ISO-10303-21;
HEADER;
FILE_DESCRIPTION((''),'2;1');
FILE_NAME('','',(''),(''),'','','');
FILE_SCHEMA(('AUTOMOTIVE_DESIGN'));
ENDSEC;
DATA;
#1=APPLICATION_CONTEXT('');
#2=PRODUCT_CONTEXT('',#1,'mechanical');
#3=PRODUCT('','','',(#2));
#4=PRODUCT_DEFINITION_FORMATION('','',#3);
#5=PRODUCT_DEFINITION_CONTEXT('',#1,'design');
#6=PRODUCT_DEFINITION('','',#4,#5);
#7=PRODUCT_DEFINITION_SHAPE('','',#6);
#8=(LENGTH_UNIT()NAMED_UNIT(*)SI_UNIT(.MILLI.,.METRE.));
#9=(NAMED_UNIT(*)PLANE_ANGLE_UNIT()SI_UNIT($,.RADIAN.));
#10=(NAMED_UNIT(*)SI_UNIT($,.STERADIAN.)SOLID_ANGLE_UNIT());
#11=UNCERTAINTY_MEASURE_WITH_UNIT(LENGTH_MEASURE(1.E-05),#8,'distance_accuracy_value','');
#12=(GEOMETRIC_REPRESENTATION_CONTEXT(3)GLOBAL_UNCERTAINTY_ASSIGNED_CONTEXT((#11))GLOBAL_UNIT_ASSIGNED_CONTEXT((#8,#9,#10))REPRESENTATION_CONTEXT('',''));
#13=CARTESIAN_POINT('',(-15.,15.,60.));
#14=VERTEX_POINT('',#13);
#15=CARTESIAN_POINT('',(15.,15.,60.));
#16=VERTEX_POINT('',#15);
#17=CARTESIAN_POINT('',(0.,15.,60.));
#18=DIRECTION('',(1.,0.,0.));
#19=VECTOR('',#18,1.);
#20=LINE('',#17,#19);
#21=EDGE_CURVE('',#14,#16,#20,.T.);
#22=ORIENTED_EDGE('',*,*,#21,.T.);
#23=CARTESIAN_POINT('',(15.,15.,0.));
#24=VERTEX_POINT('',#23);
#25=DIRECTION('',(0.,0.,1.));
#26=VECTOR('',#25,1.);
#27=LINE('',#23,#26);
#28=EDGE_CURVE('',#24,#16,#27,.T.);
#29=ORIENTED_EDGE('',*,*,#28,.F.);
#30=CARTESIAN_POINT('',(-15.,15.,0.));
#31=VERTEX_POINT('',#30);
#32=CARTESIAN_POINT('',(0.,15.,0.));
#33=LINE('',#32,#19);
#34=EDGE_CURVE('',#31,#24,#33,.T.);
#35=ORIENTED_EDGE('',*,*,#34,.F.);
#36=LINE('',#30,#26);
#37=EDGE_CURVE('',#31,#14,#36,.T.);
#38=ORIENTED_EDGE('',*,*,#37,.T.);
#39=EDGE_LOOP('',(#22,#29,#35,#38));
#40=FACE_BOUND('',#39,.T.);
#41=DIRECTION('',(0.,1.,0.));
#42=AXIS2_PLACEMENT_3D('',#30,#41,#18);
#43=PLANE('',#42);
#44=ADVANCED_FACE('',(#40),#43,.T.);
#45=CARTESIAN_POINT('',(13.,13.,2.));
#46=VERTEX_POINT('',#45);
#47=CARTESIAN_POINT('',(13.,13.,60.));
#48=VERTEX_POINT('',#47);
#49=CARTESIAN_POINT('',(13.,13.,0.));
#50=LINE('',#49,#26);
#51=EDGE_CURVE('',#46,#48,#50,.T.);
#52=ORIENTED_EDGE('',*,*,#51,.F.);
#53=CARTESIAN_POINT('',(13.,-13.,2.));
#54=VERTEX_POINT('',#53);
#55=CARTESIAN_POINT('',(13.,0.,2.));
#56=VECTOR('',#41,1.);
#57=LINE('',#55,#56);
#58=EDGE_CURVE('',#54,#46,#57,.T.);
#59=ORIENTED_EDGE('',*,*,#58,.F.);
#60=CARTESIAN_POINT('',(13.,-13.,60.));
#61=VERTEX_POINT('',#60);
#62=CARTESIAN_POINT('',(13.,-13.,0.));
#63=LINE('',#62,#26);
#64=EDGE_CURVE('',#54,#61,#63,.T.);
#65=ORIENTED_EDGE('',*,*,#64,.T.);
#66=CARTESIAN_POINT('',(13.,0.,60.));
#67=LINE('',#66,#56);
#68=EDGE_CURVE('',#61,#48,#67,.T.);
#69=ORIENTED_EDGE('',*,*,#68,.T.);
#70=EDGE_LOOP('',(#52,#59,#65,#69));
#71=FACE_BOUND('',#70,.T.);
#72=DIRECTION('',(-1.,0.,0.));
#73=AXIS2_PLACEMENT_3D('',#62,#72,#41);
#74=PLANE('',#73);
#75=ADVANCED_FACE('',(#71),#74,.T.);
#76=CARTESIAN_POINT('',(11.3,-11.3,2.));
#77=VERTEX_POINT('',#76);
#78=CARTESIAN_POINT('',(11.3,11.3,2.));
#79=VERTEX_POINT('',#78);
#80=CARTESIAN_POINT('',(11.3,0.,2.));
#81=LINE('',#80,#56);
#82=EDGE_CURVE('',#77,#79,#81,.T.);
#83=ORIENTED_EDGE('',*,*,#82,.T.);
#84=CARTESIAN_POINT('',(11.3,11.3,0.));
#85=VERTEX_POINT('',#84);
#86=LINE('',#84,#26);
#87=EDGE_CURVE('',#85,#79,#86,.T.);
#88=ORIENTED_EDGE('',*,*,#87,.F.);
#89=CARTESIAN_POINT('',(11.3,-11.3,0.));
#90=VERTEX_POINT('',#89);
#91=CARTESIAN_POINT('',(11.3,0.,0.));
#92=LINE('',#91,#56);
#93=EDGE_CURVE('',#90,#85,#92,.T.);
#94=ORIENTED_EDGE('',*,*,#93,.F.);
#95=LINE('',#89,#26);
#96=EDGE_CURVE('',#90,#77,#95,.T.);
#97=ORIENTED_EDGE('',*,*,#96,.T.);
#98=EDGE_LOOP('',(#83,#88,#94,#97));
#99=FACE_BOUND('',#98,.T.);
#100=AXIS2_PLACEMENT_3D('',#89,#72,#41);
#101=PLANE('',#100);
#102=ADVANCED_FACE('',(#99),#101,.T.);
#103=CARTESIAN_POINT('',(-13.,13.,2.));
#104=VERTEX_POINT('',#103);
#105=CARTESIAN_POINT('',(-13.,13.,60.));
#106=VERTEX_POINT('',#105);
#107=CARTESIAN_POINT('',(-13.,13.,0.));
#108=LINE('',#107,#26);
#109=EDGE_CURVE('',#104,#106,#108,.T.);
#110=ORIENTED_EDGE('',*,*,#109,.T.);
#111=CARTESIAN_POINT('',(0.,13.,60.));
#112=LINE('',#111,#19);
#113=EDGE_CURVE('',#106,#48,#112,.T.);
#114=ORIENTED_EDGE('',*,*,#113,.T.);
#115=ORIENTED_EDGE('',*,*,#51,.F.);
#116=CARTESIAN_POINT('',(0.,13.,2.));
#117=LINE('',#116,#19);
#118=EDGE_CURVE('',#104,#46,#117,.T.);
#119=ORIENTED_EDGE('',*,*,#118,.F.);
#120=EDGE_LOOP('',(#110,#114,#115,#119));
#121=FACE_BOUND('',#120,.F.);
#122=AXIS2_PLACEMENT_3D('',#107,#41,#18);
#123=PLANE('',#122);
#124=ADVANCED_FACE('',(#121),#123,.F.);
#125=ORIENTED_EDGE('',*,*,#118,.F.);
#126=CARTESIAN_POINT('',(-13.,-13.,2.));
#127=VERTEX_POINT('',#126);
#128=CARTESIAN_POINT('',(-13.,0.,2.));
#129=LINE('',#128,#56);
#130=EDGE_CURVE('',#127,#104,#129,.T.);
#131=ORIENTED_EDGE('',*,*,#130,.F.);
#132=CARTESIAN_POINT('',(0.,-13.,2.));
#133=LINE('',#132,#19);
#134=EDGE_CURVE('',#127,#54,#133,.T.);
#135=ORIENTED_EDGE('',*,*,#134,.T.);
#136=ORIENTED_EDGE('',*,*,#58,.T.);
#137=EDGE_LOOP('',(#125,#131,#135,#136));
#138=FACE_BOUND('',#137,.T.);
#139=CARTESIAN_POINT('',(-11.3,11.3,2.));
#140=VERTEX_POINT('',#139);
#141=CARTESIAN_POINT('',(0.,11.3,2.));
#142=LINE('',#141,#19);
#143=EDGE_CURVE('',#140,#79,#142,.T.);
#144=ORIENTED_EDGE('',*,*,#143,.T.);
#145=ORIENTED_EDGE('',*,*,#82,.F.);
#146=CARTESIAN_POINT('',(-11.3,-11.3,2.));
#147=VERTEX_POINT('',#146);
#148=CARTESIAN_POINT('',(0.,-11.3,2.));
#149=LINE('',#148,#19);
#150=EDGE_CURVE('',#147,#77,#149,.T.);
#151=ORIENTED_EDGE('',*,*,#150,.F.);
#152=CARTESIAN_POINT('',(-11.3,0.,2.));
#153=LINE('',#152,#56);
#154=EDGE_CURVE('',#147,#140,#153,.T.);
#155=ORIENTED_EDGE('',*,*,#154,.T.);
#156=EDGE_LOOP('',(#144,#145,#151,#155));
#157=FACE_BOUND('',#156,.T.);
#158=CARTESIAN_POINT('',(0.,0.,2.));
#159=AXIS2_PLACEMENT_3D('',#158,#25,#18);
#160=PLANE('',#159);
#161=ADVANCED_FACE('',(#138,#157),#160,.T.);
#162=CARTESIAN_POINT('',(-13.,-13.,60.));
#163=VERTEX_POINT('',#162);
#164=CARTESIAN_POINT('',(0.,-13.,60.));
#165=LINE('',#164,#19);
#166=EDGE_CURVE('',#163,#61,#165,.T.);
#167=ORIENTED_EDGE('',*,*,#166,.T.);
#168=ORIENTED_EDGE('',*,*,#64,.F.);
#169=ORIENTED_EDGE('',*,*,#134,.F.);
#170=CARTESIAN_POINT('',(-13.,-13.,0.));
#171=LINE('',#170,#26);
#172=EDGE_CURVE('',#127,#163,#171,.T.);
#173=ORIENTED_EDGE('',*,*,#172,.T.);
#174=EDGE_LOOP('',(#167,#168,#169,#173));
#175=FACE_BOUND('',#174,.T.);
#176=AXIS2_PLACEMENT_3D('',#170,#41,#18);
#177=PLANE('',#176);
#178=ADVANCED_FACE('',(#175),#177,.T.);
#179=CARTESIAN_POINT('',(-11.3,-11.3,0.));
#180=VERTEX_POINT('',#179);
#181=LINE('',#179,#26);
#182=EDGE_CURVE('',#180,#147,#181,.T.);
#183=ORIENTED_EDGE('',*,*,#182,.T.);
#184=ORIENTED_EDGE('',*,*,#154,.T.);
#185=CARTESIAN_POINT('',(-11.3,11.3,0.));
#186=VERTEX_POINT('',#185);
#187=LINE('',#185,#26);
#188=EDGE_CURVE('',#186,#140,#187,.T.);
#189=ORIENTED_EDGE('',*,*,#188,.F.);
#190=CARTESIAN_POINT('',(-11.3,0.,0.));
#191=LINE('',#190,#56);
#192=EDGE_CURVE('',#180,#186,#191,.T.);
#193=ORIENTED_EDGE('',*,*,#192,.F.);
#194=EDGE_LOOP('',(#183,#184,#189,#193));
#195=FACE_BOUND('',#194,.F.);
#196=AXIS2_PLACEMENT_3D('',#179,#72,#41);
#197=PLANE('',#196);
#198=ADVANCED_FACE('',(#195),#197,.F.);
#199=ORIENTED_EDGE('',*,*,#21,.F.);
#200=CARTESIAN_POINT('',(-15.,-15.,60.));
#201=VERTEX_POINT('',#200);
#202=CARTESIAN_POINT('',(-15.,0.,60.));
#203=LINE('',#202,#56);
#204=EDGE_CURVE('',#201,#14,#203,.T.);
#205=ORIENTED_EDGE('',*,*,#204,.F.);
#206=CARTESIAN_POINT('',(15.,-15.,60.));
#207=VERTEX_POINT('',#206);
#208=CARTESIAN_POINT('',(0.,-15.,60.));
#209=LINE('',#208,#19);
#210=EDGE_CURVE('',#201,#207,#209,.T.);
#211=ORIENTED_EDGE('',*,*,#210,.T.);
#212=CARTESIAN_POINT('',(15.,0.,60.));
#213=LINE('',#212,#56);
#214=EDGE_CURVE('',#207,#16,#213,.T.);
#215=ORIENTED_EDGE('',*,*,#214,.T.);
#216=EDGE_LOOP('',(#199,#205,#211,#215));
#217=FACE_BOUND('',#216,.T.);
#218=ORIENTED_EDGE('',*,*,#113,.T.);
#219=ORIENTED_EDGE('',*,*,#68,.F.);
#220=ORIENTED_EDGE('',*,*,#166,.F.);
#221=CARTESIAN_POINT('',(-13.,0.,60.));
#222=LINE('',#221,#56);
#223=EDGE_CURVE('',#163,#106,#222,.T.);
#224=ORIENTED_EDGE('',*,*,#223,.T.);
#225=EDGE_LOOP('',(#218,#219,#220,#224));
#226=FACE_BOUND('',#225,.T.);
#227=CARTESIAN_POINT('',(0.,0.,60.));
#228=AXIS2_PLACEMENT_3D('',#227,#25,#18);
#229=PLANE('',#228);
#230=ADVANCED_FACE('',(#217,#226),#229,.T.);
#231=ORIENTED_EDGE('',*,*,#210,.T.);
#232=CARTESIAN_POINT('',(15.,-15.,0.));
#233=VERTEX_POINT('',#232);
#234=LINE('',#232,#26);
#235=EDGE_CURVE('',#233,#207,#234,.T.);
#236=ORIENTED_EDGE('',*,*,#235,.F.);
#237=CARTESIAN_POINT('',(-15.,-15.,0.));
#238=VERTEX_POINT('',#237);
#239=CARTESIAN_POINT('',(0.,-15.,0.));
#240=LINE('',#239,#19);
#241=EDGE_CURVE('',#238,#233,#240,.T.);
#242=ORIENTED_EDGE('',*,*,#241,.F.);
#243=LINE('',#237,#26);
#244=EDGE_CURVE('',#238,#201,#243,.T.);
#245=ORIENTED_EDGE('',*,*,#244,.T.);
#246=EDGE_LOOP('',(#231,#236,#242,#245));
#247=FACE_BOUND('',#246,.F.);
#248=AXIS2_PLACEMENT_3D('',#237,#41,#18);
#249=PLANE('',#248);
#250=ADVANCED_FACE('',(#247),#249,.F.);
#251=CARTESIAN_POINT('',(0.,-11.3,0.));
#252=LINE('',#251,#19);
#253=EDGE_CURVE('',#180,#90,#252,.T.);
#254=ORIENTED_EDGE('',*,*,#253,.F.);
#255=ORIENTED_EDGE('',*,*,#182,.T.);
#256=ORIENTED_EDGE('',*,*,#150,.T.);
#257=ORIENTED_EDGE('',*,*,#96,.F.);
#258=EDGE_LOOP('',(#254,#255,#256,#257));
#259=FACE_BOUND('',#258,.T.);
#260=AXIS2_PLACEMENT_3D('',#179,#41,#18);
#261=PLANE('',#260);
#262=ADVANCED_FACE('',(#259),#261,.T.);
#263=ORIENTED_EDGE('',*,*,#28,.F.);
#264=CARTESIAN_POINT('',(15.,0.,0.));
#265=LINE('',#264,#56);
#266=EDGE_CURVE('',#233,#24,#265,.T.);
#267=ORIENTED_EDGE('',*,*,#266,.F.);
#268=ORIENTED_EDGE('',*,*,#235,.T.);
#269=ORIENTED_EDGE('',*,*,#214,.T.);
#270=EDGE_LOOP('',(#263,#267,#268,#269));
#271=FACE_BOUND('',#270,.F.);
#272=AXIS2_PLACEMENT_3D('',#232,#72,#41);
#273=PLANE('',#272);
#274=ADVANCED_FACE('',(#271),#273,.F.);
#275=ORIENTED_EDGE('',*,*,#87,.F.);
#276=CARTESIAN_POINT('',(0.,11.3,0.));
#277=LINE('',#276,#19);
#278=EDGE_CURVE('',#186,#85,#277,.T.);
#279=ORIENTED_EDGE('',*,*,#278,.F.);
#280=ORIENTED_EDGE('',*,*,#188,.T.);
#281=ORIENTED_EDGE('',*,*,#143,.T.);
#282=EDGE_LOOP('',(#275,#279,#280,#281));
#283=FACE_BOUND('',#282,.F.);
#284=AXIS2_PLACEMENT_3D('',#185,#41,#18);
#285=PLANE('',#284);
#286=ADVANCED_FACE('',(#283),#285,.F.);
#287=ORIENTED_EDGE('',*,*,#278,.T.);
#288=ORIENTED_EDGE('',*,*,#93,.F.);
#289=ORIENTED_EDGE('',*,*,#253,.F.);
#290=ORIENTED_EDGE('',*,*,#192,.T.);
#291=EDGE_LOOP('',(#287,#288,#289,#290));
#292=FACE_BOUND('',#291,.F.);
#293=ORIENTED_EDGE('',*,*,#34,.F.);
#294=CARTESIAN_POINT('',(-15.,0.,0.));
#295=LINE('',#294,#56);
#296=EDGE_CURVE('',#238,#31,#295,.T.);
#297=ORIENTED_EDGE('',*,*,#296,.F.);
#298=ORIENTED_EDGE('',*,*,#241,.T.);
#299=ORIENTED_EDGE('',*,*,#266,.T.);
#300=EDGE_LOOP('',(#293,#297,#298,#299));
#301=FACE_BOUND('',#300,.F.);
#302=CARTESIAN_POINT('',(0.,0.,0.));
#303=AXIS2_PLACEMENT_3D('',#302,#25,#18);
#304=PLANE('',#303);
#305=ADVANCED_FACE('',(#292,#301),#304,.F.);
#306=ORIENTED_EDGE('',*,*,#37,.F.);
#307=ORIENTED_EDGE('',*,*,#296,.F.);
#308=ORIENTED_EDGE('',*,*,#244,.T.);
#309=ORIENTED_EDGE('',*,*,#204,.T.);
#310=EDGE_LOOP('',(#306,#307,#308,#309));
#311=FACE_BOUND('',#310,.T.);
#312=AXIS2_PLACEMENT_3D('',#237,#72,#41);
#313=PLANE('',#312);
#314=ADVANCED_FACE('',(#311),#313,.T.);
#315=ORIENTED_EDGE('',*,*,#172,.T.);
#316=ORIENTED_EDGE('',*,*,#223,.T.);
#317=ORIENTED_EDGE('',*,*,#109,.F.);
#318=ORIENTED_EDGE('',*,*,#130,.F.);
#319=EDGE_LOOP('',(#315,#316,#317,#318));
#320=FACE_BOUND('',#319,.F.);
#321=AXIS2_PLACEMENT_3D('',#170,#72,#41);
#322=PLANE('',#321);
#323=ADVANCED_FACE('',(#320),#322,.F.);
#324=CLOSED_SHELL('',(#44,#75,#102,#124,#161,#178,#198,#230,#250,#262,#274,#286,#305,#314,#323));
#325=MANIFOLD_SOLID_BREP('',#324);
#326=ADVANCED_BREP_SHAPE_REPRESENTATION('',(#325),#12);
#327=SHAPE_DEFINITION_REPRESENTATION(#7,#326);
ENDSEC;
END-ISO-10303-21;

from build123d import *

# Parameters (mm, degrees)
F0_W     = 30
F0_H     = 30
F0_W_2   = 26
F0_H_2   = 26
F1_DEPTH = 60
F3_DEPTH = 3
F0_W_3   = 22.6
F0_H_3   = 22.6
F4_DEPTH = 2


with BuildPart() as f1:
    # F0 (on Top) → F1 (new body)
    with BuildSketch(Plane.XY):
        Rectangle(F0_W, F0_H)
        Rectangle(F0_W_2, F0_H_2, mode=Mode.SUBTRACT)
    extrude(amount=F1_DEPTH)

    # F2 (on face) → F3 (cut)
    with BuildSketch(Plane(origin=(0, 0, 0), x_dir=(1, 0, 0), z_dir=(0, 0, -1))):
        with BuildLine():
            ThreePointArc((-2.5, 0), (0, -2.5), (2.5, 0))
            ThreePointArc((2.5, 0), (0, 2.5), (-2.5, 0))
        make_face()
    extrude(amount=-F3_DEPTH, mode=Mode.SUBTRACT)

    # F0 (on Top) → F4 (join)
    with BuildSketch(Plane.XY):
        Rectangle(F0_W_2, F0_H_2)
        Rectangle(F0_W_3, F0_H_3, mode=Mode.SUBTRACT)
    extrude(amount=F4_DEPTH)


solid = f1.part
